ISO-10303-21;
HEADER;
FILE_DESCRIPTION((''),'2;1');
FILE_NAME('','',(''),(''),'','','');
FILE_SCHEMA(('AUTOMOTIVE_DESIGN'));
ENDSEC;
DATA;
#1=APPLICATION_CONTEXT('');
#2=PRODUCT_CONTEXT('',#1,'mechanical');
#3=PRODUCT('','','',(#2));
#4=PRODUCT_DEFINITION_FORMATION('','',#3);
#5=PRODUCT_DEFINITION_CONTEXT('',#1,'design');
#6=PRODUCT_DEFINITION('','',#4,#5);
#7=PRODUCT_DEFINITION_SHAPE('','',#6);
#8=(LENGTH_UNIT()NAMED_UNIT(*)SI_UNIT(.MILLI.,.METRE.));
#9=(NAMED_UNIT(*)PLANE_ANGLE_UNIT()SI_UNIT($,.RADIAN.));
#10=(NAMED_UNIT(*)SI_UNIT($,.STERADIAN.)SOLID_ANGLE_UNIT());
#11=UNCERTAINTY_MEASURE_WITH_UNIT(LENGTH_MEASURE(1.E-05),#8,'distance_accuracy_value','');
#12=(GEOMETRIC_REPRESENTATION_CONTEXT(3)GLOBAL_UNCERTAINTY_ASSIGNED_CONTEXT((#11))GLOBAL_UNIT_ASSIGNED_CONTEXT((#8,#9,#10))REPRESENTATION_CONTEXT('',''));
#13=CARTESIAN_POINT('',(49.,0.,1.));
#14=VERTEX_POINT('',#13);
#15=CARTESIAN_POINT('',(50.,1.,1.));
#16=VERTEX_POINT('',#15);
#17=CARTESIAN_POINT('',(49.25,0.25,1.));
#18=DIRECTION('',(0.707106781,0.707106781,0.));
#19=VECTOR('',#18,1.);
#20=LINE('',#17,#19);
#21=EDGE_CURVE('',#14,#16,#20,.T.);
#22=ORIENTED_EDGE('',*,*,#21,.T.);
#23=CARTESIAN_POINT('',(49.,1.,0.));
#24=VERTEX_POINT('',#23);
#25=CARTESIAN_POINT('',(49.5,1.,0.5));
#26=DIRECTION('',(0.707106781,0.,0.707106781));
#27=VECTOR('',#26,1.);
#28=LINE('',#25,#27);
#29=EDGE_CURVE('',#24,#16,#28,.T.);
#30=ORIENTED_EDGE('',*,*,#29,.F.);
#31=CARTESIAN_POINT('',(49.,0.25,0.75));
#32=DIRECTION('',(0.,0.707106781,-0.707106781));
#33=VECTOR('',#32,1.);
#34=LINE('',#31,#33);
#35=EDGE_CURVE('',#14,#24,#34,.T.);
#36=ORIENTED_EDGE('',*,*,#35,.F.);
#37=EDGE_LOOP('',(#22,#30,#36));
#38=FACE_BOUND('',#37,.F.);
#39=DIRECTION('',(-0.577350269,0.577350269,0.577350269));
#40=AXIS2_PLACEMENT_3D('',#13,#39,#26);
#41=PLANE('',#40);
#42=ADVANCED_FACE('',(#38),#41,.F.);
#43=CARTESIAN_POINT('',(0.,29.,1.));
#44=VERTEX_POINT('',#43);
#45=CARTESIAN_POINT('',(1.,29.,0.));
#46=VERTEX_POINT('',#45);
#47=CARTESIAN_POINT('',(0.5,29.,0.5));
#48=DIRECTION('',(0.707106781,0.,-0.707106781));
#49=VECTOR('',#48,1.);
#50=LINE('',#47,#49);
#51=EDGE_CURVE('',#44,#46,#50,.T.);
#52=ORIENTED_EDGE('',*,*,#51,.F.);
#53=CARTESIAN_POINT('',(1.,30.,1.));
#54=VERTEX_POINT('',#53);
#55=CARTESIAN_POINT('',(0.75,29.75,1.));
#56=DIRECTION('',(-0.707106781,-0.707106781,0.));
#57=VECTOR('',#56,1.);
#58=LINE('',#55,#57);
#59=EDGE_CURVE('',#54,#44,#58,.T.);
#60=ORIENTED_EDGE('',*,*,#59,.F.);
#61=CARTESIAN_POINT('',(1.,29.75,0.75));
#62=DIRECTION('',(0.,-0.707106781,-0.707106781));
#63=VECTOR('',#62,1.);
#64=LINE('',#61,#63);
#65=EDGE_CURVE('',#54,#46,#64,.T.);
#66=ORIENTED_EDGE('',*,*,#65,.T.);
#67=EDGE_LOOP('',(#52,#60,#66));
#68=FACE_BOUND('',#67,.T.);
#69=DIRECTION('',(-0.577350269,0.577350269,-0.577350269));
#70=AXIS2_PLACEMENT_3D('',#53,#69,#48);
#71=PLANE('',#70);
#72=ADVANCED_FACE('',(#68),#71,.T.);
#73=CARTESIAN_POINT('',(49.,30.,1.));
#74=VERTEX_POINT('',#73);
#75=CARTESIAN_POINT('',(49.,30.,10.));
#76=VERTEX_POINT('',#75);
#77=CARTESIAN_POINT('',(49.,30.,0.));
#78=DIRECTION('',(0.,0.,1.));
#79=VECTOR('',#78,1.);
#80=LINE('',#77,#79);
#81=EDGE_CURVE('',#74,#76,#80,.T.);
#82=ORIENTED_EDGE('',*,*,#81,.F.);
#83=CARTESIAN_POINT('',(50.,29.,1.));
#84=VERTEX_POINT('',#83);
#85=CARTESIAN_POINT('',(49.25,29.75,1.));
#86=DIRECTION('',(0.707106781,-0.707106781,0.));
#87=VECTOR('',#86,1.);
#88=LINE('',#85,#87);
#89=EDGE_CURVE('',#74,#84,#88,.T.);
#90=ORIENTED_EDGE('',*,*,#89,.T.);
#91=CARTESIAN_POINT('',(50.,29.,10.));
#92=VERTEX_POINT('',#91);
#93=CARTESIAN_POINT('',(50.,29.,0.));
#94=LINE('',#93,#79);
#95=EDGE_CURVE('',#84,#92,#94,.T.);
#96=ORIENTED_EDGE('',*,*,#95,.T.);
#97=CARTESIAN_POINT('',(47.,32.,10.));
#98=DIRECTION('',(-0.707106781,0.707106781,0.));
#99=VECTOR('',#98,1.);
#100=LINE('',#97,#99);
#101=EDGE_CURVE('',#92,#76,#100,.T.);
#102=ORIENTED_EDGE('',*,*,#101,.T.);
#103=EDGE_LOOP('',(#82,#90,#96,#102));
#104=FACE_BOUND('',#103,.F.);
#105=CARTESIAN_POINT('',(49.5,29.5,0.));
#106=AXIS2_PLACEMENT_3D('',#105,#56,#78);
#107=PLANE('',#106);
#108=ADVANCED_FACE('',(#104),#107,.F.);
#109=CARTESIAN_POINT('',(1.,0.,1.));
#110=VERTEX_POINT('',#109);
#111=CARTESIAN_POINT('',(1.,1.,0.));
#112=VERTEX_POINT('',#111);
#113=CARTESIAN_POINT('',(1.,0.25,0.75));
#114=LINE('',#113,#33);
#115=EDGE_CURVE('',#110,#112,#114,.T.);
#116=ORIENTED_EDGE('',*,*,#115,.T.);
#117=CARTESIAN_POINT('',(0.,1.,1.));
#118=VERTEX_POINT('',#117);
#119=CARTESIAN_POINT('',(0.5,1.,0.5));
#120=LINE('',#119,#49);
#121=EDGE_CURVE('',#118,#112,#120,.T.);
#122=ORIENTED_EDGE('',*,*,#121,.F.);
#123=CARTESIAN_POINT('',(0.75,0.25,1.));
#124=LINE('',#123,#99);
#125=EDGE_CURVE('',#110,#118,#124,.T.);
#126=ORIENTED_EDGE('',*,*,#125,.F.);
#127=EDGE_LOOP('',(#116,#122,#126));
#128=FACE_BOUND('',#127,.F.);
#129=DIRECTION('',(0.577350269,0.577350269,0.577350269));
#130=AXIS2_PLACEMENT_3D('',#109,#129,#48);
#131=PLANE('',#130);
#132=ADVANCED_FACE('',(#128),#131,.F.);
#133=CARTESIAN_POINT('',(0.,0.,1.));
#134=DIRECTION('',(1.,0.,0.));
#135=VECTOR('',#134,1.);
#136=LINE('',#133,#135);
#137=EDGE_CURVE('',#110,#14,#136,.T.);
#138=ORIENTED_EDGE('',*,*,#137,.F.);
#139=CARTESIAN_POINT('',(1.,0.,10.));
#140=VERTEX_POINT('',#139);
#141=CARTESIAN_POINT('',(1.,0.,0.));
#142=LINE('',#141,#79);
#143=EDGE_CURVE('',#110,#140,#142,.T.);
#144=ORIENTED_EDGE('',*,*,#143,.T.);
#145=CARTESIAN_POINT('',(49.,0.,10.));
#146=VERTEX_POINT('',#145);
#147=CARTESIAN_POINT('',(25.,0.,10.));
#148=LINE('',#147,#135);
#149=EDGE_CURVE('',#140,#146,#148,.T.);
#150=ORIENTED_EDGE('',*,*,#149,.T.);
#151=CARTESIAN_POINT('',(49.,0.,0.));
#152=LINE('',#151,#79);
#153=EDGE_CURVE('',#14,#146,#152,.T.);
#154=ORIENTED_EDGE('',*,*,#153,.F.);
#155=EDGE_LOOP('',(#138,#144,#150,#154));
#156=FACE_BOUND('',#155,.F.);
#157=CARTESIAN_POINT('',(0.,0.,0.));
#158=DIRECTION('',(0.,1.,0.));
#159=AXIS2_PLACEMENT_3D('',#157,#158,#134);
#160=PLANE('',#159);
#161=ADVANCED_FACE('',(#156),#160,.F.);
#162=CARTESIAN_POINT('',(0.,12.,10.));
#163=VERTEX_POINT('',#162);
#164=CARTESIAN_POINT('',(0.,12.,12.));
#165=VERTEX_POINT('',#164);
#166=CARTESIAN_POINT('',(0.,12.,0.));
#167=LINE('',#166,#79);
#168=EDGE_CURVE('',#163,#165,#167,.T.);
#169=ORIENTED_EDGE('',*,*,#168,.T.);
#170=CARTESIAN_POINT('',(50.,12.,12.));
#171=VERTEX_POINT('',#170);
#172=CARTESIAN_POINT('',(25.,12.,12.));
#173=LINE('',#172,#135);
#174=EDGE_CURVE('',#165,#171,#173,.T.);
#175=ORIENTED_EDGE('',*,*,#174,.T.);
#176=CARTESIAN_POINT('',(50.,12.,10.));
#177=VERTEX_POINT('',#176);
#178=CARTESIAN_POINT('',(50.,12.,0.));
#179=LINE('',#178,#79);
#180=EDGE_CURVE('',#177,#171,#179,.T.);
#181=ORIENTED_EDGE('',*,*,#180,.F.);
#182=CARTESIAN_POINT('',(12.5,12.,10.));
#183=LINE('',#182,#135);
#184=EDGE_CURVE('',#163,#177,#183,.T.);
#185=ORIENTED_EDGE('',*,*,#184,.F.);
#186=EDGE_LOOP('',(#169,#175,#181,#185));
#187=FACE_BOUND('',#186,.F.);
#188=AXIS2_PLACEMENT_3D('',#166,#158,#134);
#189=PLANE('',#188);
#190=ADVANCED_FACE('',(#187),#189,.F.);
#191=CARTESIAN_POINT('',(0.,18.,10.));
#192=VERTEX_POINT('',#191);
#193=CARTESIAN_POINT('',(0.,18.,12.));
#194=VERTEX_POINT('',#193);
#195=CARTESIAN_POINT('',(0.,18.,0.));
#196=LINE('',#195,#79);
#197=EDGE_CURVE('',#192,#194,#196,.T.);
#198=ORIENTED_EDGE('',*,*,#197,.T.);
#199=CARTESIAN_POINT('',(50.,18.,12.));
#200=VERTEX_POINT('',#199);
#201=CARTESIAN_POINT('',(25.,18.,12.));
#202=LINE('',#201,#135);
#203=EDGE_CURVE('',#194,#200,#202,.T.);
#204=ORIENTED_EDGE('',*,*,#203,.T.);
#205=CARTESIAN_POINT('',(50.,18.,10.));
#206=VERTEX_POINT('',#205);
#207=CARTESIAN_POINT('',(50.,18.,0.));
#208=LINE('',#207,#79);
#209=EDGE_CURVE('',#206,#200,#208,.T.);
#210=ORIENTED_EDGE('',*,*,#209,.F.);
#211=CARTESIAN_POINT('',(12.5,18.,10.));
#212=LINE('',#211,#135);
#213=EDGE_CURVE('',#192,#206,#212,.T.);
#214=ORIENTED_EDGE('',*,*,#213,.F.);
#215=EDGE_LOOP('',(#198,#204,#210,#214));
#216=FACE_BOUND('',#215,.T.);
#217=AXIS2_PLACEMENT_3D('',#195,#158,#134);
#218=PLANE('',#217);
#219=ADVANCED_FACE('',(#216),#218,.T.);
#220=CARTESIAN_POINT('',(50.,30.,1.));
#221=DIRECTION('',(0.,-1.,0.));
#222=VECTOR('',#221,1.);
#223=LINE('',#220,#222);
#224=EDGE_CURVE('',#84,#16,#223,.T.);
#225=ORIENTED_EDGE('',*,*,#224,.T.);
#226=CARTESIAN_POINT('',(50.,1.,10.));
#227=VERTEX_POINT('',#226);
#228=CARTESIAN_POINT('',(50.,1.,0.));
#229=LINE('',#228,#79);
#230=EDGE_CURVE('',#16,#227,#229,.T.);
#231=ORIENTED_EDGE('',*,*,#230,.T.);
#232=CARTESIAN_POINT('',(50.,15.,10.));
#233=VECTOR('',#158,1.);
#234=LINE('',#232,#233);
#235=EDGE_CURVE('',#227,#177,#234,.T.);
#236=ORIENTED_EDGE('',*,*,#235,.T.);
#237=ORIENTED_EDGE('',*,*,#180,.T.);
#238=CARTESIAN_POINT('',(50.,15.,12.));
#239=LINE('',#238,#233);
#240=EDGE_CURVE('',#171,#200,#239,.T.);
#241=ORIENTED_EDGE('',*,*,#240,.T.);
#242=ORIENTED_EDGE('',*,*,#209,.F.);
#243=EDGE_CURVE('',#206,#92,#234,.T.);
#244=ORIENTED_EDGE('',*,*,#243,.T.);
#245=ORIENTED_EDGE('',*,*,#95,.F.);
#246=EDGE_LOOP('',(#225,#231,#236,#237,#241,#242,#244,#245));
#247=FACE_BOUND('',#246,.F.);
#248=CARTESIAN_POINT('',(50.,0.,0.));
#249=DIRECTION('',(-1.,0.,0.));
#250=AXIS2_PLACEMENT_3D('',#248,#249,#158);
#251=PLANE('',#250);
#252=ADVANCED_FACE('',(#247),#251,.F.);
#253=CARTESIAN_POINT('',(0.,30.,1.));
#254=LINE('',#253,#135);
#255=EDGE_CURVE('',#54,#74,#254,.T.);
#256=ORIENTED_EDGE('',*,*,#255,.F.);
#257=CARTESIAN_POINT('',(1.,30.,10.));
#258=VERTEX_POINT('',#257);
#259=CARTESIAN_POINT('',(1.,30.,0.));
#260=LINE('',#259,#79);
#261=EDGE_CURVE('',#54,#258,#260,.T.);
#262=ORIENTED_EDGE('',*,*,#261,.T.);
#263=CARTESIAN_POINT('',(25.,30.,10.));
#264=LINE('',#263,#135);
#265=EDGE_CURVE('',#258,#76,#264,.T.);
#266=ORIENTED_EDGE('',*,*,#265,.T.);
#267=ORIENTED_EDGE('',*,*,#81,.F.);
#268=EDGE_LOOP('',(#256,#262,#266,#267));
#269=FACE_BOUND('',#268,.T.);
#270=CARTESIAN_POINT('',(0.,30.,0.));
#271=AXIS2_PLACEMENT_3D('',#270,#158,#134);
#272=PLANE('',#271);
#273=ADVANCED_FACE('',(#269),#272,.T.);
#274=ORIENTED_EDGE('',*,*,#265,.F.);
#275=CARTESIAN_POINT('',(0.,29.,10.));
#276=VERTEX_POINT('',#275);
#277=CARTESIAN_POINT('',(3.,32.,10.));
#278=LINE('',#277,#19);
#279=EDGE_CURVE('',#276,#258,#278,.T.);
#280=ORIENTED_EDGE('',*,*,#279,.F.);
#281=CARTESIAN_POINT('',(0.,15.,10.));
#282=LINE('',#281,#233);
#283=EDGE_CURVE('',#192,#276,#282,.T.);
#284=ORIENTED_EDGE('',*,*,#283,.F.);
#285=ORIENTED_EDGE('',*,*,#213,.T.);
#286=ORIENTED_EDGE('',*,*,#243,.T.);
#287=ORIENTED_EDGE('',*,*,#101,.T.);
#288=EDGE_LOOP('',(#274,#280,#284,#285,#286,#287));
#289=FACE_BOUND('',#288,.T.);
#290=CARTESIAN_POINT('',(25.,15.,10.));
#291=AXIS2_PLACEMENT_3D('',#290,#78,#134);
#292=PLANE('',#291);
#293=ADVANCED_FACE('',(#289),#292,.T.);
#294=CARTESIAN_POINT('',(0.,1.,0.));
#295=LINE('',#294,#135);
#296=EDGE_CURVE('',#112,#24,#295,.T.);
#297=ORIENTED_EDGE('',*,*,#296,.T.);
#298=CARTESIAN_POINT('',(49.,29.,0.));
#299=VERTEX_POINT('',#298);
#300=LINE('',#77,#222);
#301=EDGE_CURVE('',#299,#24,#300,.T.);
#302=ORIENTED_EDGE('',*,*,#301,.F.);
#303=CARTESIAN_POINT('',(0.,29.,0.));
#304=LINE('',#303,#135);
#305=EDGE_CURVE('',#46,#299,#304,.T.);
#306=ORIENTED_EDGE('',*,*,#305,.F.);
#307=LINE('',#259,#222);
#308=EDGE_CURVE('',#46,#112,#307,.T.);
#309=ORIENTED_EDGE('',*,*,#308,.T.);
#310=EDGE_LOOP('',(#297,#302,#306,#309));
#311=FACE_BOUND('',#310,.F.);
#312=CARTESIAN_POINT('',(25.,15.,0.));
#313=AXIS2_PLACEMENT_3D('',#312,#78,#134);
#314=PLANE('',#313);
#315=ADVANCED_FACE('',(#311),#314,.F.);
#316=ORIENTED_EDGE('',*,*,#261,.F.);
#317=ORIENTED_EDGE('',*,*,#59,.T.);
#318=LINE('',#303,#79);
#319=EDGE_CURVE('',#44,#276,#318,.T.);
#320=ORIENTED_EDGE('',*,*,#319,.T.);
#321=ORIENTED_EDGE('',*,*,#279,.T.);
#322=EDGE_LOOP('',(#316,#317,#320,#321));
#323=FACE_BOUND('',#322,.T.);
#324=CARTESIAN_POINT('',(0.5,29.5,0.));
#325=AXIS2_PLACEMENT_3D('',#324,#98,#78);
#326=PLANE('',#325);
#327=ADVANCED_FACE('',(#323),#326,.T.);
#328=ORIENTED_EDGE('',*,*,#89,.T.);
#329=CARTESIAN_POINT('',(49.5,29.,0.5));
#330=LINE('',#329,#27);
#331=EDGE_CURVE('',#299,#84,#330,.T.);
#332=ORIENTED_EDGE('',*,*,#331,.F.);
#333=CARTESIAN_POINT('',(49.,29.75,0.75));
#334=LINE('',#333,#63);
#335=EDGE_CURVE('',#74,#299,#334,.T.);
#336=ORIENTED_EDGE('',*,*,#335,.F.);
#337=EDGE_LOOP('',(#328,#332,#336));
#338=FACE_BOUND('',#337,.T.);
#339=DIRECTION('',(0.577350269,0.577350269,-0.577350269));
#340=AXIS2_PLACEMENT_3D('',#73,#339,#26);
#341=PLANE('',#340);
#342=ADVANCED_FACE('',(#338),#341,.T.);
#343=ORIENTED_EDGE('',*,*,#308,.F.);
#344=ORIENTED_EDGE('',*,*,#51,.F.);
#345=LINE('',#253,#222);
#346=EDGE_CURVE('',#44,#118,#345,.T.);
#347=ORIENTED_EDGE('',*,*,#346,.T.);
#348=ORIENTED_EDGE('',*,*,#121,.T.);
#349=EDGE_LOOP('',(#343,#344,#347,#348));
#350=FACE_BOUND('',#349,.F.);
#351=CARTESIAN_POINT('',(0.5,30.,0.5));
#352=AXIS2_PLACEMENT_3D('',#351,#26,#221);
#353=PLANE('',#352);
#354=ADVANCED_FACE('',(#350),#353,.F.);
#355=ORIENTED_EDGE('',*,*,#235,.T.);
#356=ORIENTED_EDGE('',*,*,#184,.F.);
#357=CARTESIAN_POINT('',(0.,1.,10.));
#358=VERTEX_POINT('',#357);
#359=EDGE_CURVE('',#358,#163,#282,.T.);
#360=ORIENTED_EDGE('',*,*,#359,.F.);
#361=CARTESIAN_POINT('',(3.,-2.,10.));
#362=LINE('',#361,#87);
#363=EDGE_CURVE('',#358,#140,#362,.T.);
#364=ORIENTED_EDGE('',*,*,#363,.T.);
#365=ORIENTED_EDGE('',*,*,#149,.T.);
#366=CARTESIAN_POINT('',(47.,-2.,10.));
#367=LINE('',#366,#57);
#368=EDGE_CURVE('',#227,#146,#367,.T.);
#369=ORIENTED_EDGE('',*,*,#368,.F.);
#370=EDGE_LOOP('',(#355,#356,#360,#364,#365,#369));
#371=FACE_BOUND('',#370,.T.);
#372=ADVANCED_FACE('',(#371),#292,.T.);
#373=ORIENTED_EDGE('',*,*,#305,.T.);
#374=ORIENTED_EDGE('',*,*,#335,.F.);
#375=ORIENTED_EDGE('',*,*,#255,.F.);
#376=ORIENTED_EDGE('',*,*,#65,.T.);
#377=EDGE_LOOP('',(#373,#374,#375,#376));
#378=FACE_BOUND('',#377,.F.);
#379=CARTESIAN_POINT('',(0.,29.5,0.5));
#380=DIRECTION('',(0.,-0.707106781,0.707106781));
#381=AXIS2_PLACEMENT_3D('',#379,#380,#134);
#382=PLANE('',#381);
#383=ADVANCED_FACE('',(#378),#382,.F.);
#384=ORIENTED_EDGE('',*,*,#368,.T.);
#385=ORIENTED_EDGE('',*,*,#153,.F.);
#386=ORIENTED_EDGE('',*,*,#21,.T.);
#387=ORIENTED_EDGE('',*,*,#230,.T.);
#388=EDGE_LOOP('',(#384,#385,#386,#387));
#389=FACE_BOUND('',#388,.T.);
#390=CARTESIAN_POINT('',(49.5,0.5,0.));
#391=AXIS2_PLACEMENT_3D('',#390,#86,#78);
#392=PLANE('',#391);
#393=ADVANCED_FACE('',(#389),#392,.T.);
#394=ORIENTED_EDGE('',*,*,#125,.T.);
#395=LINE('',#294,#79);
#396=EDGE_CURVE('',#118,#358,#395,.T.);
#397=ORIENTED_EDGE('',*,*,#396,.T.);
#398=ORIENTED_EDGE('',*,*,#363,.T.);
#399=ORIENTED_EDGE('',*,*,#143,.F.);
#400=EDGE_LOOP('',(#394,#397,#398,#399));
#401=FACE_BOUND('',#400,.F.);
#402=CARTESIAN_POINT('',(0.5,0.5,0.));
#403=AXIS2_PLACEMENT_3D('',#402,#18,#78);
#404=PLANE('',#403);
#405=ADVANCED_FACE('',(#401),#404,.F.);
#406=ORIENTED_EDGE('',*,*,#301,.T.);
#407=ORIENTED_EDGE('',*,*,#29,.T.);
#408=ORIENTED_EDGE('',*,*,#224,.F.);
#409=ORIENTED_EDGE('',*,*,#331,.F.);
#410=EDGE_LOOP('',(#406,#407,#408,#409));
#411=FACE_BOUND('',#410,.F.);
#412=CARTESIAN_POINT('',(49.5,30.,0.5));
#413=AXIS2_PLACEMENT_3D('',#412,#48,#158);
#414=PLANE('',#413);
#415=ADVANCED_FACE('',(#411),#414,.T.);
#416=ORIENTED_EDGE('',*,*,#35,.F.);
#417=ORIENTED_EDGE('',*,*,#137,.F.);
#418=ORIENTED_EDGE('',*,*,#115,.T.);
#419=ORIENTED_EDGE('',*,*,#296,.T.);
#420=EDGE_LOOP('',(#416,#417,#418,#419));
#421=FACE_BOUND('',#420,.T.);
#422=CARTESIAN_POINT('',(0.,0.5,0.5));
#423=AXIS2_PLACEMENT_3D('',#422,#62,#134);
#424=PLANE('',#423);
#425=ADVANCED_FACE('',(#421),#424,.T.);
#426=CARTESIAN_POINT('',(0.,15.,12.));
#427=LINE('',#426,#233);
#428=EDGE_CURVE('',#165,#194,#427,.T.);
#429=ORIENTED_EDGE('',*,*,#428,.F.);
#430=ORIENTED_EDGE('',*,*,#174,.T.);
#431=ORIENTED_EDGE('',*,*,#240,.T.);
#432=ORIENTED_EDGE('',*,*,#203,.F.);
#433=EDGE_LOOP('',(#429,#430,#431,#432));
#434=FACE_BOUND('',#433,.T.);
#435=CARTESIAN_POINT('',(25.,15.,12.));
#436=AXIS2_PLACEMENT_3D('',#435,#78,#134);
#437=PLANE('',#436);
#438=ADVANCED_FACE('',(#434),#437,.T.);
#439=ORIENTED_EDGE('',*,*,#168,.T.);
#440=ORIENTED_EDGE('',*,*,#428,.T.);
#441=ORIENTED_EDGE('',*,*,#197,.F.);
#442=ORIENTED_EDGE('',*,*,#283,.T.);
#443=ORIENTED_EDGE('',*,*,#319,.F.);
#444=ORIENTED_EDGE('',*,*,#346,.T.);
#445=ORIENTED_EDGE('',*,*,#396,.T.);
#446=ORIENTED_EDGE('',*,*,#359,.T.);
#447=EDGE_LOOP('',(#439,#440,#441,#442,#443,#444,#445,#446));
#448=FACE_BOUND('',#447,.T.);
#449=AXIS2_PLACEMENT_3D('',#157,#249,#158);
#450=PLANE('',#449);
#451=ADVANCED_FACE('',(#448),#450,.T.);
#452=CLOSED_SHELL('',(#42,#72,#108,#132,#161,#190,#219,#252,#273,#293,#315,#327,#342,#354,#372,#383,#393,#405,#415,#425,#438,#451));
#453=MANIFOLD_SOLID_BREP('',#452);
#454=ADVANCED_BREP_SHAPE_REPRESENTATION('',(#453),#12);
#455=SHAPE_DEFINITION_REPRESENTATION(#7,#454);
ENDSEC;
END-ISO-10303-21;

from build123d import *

# Parameters (mm, degrees)
BOX_W        = 50
BOX_H        = 30
BOX_DEPTH    = 10
BOX001_W     = 50
BOX001_H     = 6
BOX001_DEPTH = 12
CHAMFER_SIZE = 1


with BuildPart() as cube:
    # Box → Box (new body)
    with BuildSketch(Plane.XY):
        with Locations((25, 15)):
            Rectangle(BOX_W, BOX_H)
    extrude(amount=BOX_DEPTH)


with BuildPart() as f_50_spacer:
    # Box001 → Box001 (new body)
    with BuildSketch(Plane(origin=(0, 12, 0), x_dir=(1, 0, 0), z_dir=(0, 0, 1))):
        with Locations((25, 3)):
            Rectangle(BOX001_W, BOX001_H)
    extrude(amount=BOX001_DEPTH)

    # Fusion: union Cube
    add(cube.part)

    # Chamfer
    chamfer_edges = [f_50_spacer.edges().sort_by_distance(p)[0] for p in [
        (0, 15, 0),
        (0, 6, 0),
        (0, 0, 5),
        (0, 30, 5),
        (0, 24, 0),
        (50, 15, 0),
        (50, 6, 0),
        (25, 0, 0),
        (50, 0, 5),
        (25, 30, 0),
        (50, 30, 5),
        (50, 24, 0),
    ]]
    chamfer(chamfer_edges, length=CHAMFER_SIZE)


solid = f_50_spacer.part
